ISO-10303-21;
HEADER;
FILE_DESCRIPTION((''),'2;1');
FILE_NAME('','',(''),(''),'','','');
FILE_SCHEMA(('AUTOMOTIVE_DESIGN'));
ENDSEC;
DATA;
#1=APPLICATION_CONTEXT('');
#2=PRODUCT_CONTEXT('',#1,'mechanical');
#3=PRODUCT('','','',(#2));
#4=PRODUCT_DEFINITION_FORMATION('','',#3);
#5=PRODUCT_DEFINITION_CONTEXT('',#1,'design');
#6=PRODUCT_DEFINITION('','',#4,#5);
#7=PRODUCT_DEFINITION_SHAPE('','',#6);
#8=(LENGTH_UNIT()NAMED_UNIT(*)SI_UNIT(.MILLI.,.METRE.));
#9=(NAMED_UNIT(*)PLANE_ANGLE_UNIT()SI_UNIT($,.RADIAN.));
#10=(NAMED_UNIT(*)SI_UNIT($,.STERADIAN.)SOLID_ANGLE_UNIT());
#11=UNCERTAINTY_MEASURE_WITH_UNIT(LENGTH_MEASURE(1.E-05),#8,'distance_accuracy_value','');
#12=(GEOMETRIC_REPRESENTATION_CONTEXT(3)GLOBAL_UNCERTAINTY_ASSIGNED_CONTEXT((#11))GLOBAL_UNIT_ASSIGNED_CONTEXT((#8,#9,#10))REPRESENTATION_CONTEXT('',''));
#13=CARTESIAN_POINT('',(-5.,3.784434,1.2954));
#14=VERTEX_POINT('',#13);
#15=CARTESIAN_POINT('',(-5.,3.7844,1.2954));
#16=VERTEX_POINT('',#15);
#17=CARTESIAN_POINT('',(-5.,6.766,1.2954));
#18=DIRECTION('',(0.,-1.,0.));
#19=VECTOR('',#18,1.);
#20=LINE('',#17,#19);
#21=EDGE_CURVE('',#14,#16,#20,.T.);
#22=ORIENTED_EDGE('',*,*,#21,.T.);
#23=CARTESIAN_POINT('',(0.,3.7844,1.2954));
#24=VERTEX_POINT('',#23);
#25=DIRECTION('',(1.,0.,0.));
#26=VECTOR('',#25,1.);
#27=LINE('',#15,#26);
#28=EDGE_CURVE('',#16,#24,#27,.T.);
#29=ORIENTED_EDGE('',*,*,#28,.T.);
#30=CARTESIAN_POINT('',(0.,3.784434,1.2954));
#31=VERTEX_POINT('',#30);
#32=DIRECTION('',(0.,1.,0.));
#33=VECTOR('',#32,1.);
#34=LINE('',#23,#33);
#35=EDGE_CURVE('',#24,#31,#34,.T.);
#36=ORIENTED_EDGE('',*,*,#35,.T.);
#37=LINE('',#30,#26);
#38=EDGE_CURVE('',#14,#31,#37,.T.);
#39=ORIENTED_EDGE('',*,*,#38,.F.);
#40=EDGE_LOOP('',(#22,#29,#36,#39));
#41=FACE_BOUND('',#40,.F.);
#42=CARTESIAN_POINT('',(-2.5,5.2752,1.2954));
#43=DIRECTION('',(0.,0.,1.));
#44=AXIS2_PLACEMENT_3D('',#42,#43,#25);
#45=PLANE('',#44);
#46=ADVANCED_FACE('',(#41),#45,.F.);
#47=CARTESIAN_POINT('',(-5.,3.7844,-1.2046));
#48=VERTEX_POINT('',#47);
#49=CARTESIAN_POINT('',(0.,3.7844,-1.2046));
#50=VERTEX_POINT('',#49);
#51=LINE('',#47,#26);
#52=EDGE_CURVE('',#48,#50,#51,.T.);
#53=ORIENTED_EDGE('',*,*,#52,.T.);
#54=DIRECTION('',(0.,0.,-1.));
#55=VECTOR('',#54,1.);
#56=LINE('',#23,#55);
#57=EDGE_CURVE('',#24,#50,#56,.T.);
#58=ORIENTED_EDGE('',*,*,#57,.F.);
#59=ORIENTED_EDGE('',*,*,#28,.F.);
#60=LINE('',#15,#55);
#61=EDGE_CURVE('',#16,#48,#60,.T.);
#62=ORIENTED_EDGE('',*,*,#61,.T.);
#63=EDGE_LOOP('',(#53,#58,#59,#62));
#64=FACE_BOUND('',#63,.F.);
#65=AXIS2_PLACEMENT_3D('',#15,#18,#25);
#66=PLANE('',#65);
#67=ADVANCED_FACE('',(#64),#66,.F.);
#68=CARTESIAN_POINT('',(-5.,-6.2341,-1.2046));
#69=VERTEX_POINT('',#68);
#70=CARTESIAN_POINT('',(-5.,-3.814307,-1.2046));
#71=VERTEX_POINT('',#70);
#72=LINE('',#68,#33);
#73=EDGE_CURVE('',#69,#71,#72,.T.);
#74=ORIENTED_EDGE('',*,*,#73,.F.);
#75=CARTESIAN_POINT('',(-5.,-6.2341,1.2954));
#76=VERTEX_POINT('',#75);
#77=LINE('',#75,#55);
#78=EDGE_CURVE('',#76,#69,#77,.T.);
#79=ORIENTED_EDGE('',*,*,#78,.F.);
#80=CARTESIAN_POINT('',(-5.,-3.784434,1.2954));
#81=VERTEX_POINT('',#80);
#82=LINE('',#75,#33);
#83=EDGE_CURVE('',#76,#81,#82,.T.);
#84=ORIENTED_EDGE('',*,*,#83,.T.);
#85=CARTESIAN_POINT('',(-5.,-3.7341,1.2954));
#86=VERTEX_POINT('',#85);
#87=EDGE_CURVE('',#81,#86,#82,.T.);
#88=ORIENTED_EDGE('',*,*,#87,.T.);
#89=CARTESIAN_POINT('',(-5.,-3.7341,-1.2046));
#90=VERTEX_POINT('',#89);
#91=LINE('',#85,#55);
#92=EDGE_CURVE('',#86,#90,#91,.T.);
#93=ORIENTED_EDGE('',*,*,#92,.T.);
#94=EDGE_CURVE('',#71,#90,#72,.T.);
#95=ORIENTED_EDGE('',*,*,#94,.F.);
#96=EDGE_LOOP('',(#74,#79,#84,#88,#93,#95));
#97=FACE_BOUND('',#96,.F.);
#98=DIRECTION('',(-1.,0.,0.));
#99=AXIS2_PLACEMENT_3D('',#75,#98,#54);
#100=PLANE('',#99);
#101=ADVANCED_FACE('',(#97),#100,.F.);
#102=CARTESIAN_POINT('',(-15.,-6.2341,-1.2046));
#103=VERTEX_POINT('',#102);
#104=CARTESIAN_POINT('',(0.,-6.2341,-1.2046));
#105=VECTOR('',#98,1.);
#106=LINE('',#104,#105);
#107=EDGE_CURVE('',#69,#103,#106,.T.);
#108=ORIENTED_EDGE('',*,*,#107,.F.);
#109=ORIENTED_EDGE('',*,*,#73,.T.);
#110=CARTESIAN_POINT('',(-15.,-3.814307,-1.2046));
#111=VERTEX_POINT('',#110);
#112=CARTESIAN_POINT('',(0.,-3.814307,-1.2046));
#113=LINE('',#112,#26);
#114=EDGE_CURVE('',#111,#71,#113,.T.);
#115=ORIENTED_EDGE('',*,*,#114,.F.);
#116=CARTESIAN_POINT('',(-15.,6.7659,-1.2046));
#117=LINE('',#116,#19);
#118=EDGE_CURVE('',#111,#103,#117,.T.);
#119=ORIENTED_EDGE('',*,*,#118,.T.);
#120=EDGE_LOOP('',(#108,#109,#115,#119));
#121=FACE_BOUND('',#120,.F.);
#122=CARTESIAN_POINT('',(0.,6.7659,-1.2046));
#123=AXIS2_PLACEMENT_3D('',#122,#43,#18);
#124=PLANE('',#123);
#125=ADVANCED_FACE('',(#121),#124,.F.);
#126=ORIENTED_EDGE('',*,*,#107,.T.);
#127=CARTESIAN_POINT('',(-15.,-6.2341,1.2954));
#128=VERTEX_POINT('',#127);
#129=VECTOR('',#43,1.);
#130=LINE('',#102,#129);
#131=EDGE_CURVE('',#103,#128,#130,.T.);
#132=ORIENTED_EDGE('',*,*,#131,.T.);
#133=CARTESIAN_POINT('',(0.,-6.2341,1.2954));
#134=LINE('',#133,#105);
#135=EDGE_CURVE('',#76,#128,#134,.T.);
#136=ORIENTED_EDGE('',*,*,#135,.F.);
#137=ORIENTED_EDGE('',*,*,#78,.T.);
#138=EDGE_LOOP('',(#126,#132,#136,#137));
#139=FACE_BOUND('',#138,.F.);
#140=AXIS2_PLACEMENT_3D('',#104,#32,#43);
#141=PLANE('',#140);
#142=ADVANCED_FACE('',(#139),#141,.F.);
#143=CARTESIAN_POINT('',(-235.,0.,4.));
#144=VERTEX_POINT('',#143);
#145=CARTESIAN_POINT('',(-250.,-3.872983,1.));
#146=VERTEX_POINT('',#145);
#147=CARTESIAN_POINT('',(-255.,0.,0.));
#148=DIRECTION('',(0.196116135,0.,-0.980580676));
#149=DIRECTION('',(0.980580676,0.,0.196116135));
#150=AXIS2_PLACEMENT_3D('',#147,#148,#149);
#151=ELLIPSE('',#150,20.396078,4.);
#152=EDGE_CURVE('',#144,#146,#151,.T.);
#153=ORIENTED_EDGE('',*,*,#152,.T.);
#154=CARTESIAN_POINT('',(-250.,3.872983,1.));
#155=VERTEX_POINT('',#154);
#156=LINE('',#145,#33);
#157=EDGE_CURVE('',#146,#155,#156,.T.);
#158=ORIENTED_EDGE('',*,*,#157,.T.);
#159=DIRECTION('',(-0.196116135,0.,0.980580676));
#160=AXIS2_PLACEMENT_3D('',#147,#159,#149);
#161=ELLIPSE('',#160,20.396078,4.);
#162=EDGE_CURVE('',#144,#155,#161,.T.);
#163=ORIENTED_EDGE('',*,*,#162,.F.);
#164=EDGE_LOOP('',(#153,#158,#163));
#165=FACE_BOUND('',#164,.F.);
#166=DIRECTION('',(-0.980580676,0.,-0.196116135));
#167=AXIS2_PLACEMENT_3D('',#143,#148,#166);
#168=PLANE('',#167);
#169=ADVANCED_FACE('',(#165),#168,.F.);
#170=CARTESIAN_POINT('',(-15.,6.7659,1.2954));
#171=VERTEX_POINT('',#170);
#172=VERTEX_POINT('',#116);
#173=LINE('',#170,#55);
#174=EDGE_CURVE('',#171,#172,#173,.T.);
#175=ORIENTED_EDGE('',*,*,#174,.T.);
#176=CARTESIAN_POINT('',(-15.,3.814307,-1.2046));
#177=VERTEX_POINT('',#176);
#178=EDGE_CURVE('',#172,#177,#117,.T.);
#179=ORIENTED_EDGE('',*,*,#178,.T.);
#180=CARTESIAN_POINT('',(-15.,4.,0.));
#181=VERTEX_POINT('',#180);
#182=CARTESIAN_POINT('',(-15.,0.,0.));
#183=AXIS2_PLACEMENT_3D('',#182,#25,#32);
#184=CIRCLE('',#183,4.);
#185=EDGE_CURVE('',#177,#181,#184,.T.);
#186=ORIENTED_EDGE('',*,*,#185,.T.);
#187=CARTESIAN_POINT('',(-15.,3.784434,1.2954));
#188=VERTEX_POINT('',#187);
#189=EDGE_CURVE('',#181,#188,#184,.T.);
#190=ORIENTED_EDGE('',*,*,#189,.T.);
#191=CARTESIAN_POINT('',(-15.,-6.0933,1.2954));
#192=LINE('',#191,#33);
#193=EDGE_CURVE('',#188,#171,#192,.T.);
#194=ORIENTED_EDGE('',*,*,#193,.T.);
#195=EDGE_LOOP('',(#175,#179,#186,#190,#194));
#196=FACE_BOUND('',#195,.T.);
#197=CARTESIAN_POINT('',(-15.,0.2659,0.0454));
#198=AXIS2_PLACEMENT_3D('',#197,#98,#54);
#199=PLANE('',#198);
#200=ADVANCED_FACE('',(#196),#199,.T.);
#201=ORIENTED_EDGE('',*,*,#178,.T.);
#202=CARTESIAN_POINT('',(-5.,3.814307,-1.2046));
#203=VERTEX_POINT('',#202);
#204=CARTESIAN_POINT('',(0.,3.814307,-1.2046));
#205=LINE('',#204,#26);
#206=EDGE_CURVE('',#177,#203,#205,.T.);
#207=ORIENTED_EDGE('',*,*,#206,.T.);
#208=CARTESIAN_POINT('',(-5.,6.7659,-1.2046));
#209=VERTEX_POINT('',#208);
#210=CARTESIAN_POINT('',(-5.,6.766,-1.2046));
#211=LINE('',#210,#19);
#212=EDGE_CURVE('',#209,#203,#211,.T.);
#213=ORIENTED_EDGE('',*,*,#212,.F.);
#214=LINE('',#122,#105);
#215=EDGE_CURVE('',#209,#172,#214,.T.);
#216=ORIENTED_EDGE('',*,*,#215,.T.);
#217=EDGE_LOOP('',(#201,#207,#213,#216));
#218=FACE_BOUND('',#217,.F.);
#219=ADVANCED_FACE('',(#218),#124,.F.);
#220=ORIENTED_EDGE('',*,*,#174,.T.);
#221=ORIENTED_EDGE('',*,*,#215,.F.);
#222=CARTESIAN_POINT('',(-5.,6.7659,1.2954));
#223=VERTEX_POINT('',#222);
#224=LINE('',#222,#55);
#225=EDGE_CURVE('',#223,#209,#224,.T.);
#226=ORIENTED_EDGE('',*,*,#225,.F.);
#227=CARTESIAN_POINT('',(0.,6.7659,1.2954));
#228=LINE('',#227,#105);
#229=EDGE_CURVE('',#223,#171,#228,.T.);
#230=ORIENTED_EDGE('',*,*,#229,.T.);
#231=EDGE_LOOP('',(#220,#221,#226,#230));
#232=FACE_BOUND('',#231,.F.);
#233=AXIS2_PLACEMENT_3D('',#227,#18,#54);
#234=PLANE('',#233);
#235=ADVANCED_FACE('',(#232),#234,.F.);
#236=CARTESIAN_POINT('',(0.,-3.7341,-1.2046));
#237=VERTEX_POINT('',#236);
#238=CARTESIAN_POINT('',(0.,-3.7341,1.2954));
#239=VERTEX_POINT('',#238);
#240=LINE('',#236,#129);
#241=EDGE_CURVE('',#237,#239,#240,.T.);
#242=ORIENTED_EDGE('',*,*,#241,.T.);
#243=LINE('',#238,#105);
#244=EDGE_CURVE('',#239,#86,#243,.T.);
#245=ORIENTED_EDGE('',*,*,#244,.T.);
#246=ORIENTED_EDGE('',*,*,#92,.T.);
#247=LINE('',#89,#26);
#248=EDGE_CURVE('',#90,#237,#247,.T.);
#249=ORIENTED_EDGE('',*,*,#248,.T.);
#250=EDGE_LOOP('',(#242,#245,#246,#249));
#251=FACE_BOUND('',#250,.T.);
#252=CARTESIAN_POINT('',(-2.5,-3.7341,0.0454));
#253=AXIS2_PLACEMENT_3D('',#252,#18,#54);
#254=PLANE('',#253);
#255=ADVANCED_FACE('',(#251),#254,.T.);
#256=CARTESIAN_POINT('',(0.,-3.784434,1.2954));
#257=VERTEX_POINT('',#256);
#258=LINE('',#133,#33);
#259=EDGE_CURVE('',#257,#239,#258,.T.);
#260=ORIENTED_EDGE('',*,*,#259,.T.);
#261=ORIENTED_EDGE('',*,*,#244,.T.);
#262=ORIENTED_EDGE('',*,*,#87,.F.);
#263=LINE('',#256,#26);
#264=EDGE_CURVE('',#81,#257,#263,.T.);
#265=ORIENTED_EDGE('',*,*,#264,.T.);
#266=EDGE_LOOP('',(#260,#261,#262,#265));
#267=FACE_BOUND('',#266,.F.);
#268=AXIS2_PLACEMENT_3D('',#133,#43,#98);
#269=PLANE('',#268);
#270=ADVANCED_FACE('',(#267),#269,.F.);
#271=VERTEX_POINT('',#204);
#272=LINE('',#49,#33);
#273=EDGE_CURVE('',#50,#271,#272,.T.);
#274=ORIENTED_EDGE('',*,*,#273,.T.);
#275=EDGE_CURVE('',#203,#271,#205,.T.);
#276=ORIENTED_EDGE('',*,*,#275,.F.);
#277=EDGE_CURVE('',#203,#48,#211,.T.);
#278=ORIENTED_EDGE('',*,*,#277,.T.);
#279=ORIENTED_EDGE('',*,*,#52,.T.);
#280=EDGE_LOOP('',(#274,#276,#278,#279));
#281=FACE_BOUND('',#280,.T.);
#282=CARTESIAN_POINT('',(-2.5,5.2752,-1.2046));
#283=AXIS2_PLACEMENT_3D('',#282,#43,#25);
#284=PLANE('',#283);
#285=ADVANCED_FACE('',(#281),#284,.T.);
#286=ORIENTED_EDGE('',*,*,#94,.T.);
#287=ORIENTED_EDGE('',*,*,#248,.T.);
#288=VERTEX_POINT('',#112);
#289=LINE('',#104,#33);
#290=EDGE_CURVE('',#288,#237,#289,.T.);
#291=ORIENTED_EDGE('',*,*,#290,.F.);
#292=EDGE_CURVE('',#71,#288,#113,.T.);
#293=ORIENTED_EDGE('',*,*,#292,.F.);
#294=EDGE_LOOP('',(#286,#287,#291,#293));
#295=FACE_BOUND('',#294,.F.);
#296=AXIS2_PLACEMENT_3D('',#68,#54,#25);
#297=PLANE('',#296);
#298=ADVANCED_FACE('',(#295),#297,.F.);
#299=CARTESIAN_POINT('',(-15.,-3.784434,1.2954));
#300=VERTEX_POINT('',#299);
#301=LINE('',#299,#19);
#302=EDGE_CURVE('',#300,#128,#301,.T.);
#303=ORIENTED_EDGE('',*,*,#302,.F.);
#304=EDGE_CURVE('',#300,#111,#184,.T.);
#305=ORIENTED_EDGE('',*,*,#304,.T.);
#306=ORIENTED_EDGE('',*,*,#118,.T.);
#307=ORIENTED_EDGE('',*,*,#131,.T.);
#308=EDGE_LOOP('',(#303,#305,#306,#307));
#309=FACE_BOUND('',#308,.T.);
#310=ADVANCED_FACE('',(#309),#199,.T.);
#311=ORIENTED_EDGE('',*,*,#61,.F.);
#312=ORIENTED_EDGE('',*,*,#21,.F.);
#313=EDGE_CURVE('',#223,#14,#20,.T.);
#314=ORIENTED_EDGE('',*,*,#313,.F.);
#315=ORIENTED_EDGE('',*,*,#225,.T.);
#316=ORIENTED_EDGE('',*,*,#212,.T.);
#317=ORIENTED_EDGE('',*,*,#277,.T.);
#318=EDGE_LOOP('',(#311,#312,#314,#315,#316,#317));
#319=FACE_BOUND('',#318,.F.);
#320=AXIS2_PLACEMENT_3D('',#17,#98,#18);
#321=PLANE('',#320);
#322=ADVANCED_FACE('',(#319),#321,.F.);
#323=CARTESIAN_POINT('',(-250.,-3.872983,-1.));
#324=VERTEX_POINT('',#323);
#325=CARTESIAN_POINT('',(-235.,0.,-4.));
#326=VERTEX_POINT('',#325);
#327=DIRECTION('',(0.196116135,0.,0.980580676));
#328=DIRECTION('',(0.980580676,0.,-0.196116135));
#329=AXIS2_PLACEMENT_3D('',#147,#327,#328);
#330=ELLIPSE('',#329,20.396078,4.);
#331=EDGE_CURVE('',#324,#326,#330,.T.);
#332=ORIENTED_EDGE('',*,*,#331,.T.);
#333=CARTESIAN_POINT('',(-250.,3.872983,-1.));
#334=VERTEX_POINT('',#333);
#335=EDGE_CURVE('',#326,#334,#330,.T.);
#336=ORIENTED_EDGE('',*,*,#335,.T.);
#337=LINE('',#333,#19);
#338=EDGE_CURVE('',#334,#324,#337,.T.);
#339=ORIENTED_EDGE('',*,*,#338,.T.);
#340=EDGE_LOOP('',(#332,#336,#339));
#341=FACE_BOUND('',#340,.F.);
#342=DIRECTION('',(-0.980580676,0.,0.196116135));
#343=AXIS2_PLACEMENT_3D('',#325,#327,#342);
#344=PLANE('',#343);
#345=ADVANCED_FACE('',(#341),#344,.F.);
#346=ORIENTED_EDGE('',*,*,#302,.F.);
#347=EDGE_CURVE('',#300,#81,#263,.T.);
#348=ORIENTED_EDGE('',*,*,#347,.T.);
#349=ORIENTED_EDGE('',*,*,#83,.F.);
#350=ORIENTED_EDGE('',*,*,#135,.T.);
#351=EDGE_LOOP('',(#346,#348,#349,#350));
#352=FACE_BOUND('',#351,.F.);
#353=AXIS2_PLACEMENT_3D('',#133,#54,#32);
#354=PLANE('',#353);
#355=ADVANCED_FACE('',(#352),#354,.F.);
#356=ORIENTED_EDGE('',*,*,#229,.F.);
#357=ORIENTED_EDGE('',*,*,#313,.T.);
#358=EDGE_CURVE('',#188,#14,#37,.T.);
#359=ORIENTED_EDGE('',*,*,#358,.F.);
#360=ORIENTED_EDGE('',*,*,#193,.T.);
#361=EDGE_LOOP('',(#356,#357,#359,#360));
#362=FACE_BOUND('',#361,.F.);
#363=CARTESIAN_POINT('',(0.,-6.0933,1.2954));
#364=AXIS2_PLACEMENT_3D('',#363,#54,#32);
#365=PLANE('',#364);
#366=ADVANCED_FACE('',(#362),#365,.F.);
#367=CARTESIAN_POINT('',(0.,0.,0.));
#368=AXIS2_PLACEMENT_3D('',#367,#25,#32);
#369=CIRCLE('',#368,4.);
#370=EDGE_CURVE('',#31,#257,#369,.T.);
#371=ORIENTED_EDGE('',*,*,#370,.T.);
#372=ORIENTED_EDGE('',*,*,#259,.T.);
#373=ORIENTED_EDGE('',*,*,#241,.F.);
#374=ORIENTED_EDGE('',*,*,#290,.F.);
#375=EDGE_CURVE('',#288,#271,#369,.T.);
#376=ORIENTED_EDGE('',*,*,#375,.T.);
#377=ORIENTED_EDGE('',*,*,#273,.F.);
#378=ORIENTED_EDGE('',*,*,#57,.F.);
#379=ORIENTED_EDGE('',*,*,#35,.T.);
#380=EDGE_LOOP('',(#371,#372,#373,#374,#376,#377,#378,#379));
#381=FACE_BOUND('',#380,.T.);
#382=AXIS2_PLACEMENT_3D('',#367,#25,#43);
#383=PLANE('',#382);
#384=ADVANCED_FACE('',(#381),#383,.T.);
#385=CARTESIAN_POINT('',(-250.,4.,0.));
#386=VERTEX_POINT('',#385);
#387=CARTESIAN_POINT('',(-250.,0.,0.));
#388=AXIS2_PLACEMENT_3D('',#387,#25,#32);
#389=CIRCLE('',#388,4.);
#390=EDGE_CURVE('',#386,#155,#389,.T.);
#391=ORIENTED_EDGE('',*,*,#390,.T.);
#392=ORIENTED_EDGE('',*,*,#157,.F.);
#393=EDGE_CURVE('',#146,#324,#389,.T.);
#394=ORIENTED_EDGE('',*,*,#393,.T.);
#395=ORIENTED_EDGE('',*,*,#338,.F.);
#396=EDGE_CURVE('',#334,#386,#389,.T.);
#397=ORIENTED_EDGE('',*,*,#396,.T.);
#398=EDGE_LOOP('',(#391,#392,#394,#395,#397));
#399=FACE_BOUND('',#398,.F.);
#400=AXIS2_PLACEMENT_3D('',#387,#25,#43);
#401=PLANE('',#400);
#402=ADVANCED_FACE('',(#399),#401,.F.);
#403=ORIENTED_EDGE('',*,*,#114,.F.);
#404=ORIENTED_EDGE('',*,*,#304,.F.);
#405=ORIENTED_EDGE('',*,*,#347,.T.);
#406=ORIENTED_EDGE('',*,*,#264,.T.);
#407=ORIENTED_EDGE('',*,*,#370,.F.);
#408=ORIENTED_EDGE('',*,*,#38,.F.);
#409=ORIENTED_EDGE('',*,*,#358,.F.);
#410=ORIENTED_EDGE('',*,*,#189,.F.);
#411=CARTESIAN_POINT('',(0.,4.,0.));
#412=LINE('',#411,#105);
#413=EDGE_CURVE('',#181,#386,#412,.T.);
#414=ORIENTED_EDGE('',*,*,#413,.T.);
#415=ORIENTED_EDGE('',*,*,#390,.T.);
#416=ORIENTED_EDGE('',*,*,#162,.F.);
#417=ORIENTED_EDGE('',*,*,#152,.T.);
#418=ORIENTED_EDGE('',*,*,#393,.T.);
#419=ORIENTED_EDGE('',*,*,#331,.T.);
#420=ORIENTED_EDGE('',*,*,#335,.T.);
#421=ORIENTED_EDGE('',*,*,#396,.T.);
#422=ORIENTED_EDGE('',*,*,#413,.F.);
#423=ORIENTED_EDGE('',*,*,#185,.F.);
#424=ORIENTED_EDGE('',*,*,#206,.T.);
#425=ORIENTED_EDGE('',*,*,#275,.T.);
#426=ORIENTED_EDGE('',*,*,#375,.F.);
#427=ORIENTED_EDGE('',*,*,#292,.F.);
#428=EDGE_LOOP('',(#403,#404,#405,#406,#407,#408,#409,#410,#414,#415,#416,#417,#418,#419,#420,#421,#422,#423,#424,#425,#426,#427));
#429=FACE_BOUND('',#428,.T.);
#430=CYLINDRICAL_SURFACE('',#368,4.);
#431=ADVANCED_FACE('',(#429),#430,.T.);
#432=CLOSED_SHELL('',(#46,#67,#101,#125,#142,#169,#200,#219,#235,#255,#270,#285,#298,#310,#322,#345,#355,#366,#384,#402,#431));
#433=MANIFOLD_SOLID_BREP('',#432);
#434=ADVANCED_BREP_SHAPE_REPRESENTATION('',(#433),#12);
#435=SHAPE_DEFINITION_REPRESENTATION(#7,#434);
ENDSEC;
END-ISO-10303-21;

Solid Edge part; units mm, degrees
sketch "Sketch1" plane through (0, 0, 0) normal (1, 0, 0) x (0, 1, 0)
  circle A0 centre (0, 0) radius 4
  dimension "D1" = 8
extrude "Protrusion1" add sketch "Sketch1" against normal blind 250
sketch "Sketch2" plane through (0, 0, 0) normal (1, 0, 0) x (0, 1, 0)
  line L0 (-6.0933, 1.2954) -> (6.7659, 1.2954)
  line L1 (6.7659, 1.2954) -> (6.7659, -1.2046)
  line L2 (6.7659, -1.2046) -> (-6.2341, -1.2046)
  line L3 (-6.2341, -1.2046) -> (-6.2341, 1.2954)
  line L4 (-6.2341, 1.2954) -> (-6.0933, 1.2954)
  dimension "D1" = 13
  dimension "D2" = 2.5
extrude "拉伸_6" add sketch "Sketch2" against normal blind 15
sketch "Sketch3" plane through (-7.5, -6.2341, 0.0454) normal (0, -1, 0) x (1, 0, 0)
  line L0 (7.5, 1.25) -> (2.5, 1.25)
  line L1 (2.5, 1.25) -> (2.5, -1.25)
  line L2 (2.5, -1.25) -> (7.5, -1.25)
  line L3 (7.5, -1.25) -> (7.5, 1.25)
  dimension "D1" = 5
extrude "拉伸除料_1" cut sketch "Sketch3" against normal blind 2.5
sketch "Sketch4" plane through (-7.5, 5.2752, 1.2954) normal (0, 0, 1) x (1, 0, 0)
  line L0 (7.5, 1.4908) -> (2.5, 1.4908)
  line L1 (2.5, 1.4908) -> (2.5, -1.4908)
  line L2 (2.5, -1.4908) -> (7.5, -1.4908)
  line L3 (7.5, -1.4908) -> (7.5, 1.4908)
  dimension "D1" = 5
extrude "Cutout1" cut sketch "Sketch4" against normal blind 2.5
sketch "Sketch5" plane through (0, 0, 0) normal (0, -1, 0) x (1, 0, 0)
  line L0 (-250, 4) -> (-235, 4)
  line L1 (-235, 4) -> (-250, 1)
  line L2 (-250, 1) -> (-250, 4)
  dimension "D1" = 3
  dimension "D2" = 15
extrude "Cutout2" cut sketch "Sketch5" against normal blind 21.4935
sketch "Sketch6" plane through (0, 0, 0) normal (0, -1, 0) x (1, 0, 0)
  line L0 (-250, 4) -> (-235, 4)
  line L1 (-235, 4) -> (-250, 1)
  line L2 (-250, 1) -> (-250, 4)
  dimension "D1" = 3
  dimension "D2" = 15
extrude "拉伸除料_4" cut sketch "Sketch6" along normal blind 51.5804
sketch "Sketch7" plane through (0, 0, 0) normal (0, -1, 0) x (1, 0, 0)
  line L0 (-250, -4) -> (-250, -1)
  line L1 (-250, -1) -> (-235, -4)
  line L2 (-235, -4) -> (-250, -4)
  dimension "D1" = 3
  dimension "D2" = 15
extrude "拉伸除料_5" cut sketch "Sketch7" along normal blind 13.6842
sketch "Sketch8" plane through (-242.5, 0, -2.5) normal (0, -1, 0) x (1, 0, 0)
  line L0 (-7.5, 1.5) -> (-7.5, -1.5)
  line L1 (-7.5, -1.5) -> (7.5, -1.5)
  line L2 (7.5, -1.5) -> (-7.5, 1.5)
extrude "Cutout3" cut sketch "Sketch8" against normal blind 26.2163
properties material "不锈钢 303"
